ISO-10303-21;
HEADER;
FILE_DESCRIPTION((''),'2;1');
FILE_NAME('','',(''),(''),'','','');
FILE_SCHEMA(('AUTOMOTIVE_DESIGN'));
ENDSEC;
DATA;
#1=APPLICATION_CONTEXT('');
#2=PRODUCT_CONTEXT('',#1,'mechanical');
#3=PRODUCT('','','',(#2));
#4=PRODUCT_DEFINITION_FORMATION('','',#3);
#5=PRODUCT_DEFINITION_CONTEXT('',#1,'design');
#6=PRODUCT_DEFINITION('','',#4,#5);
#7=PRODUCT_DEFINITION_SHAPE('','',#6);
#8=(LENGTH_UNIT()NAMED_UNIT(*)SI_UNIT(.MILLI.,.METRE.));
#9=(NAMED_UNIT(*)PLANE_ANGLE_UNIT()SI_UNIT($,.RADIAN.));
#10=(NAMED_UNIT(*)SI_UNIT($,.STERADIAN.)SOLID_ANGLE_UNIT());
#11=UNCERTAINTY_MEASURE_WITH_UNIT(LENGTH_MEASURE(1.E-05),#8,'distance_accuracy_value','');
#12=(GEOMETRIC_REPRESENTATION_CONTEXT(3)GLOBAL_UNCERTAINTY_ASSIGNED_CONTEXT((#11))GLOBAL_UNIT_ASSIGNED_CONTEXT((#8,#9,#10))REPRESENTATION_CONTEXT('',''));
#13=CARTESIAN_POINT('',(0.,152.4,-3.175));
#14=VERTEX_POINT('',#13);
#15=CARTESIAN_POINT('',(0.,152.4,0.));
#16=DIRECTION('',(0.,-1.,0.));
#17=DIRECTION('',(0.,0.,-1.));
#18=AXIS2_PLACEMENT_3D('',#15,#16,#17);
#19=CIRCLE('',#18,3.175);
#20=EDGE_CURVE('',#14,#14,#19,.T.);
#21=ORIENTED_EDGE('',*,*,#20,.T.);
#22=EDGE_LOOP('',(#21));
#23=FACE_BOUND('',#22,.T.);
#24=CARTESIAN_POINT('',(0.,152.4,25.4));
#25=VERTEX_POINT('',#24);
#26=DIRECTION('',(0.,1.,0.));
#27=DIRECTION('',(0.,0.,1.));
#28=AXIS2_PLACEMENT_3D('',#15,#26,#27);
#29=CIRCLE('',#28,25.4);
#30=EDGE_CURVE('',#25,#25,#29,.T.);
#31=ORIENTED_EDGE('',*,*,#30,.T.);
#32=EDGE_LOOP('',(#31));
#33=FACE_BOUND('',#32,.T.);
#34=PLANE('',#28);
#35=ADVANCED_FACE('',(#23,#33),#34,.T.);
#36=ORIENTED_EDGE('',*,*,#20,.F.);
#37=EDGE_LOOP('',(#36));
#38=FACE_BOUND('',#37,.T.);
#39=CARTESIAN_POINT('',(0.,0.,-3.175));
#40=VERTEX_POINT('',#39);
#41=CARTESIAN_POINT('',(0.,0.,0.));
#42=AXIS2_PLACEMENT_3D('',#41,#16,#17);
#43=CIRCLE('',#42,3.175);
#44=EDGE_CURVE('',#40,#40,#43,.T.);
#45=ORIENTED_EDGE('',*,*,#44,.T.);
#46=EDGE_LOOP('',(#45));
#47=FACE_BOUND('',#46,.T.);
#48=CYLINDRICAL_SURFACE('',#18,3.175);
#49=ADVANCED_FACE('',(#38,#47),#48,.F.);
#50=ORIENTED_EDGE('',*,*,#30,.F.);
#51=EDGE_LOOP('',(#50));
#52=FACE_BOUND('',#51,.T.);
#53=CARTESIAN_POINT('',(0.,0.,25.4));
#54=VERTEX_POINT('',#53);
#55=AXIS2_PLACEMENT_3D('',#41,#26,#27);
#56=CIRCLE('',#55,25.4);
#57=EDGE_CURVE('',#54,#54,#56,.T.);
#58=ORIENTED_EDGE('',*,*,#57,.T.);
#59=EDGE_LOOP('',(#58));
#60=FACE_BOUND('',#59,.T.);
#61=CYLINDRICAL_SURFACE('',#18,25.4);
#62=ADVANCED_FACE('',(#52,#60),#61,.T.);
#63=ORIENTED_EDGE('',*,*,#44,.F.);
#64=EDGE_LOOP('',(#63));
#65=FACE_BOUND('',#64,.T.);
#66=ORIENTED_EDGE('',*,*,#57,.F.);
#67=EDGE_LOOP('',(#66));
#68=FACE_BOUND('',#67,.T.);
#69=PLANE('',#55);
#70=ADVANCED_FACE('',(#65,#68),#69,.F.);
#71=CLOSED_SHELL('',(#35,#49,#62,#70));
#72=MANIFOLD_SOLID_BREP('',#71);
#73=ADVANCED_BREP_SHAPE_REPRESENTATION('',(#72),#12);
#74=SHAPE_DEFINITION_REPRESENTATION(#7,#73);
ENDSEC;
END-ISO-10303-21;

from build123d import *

# Parameters (mm, degrees)
SKETCH1_R           = 25.4
BOSS_EXTRUDE1_DEPTH = 152.4
SKETCH4_R           = 3.175
CUT_EXTRUDE1_DEPTH  = 152.4


with BuildPart() as part:
    # Sketch1 → Boss-Extrude1 (new body)
    with BuildSketch(Plane(origin=(0, 0, 0), x_dir=(1, 0, 0), z_dir=(0, 1, 0))):
        Circle(SKETCH1_R)
    extrude(amount=BOSS_EXTRUDE1_DEPTH)

    # Sketch4 → Cut-Extrude1 (cut)
    with BuildSketch(Plane.XZ):
        Circle(SKETCH4_R)
    extrude(amount=-CUT_EXTRUDE1_DEPTH, mode=Mode.SUBTRACT)


solid = part.part
